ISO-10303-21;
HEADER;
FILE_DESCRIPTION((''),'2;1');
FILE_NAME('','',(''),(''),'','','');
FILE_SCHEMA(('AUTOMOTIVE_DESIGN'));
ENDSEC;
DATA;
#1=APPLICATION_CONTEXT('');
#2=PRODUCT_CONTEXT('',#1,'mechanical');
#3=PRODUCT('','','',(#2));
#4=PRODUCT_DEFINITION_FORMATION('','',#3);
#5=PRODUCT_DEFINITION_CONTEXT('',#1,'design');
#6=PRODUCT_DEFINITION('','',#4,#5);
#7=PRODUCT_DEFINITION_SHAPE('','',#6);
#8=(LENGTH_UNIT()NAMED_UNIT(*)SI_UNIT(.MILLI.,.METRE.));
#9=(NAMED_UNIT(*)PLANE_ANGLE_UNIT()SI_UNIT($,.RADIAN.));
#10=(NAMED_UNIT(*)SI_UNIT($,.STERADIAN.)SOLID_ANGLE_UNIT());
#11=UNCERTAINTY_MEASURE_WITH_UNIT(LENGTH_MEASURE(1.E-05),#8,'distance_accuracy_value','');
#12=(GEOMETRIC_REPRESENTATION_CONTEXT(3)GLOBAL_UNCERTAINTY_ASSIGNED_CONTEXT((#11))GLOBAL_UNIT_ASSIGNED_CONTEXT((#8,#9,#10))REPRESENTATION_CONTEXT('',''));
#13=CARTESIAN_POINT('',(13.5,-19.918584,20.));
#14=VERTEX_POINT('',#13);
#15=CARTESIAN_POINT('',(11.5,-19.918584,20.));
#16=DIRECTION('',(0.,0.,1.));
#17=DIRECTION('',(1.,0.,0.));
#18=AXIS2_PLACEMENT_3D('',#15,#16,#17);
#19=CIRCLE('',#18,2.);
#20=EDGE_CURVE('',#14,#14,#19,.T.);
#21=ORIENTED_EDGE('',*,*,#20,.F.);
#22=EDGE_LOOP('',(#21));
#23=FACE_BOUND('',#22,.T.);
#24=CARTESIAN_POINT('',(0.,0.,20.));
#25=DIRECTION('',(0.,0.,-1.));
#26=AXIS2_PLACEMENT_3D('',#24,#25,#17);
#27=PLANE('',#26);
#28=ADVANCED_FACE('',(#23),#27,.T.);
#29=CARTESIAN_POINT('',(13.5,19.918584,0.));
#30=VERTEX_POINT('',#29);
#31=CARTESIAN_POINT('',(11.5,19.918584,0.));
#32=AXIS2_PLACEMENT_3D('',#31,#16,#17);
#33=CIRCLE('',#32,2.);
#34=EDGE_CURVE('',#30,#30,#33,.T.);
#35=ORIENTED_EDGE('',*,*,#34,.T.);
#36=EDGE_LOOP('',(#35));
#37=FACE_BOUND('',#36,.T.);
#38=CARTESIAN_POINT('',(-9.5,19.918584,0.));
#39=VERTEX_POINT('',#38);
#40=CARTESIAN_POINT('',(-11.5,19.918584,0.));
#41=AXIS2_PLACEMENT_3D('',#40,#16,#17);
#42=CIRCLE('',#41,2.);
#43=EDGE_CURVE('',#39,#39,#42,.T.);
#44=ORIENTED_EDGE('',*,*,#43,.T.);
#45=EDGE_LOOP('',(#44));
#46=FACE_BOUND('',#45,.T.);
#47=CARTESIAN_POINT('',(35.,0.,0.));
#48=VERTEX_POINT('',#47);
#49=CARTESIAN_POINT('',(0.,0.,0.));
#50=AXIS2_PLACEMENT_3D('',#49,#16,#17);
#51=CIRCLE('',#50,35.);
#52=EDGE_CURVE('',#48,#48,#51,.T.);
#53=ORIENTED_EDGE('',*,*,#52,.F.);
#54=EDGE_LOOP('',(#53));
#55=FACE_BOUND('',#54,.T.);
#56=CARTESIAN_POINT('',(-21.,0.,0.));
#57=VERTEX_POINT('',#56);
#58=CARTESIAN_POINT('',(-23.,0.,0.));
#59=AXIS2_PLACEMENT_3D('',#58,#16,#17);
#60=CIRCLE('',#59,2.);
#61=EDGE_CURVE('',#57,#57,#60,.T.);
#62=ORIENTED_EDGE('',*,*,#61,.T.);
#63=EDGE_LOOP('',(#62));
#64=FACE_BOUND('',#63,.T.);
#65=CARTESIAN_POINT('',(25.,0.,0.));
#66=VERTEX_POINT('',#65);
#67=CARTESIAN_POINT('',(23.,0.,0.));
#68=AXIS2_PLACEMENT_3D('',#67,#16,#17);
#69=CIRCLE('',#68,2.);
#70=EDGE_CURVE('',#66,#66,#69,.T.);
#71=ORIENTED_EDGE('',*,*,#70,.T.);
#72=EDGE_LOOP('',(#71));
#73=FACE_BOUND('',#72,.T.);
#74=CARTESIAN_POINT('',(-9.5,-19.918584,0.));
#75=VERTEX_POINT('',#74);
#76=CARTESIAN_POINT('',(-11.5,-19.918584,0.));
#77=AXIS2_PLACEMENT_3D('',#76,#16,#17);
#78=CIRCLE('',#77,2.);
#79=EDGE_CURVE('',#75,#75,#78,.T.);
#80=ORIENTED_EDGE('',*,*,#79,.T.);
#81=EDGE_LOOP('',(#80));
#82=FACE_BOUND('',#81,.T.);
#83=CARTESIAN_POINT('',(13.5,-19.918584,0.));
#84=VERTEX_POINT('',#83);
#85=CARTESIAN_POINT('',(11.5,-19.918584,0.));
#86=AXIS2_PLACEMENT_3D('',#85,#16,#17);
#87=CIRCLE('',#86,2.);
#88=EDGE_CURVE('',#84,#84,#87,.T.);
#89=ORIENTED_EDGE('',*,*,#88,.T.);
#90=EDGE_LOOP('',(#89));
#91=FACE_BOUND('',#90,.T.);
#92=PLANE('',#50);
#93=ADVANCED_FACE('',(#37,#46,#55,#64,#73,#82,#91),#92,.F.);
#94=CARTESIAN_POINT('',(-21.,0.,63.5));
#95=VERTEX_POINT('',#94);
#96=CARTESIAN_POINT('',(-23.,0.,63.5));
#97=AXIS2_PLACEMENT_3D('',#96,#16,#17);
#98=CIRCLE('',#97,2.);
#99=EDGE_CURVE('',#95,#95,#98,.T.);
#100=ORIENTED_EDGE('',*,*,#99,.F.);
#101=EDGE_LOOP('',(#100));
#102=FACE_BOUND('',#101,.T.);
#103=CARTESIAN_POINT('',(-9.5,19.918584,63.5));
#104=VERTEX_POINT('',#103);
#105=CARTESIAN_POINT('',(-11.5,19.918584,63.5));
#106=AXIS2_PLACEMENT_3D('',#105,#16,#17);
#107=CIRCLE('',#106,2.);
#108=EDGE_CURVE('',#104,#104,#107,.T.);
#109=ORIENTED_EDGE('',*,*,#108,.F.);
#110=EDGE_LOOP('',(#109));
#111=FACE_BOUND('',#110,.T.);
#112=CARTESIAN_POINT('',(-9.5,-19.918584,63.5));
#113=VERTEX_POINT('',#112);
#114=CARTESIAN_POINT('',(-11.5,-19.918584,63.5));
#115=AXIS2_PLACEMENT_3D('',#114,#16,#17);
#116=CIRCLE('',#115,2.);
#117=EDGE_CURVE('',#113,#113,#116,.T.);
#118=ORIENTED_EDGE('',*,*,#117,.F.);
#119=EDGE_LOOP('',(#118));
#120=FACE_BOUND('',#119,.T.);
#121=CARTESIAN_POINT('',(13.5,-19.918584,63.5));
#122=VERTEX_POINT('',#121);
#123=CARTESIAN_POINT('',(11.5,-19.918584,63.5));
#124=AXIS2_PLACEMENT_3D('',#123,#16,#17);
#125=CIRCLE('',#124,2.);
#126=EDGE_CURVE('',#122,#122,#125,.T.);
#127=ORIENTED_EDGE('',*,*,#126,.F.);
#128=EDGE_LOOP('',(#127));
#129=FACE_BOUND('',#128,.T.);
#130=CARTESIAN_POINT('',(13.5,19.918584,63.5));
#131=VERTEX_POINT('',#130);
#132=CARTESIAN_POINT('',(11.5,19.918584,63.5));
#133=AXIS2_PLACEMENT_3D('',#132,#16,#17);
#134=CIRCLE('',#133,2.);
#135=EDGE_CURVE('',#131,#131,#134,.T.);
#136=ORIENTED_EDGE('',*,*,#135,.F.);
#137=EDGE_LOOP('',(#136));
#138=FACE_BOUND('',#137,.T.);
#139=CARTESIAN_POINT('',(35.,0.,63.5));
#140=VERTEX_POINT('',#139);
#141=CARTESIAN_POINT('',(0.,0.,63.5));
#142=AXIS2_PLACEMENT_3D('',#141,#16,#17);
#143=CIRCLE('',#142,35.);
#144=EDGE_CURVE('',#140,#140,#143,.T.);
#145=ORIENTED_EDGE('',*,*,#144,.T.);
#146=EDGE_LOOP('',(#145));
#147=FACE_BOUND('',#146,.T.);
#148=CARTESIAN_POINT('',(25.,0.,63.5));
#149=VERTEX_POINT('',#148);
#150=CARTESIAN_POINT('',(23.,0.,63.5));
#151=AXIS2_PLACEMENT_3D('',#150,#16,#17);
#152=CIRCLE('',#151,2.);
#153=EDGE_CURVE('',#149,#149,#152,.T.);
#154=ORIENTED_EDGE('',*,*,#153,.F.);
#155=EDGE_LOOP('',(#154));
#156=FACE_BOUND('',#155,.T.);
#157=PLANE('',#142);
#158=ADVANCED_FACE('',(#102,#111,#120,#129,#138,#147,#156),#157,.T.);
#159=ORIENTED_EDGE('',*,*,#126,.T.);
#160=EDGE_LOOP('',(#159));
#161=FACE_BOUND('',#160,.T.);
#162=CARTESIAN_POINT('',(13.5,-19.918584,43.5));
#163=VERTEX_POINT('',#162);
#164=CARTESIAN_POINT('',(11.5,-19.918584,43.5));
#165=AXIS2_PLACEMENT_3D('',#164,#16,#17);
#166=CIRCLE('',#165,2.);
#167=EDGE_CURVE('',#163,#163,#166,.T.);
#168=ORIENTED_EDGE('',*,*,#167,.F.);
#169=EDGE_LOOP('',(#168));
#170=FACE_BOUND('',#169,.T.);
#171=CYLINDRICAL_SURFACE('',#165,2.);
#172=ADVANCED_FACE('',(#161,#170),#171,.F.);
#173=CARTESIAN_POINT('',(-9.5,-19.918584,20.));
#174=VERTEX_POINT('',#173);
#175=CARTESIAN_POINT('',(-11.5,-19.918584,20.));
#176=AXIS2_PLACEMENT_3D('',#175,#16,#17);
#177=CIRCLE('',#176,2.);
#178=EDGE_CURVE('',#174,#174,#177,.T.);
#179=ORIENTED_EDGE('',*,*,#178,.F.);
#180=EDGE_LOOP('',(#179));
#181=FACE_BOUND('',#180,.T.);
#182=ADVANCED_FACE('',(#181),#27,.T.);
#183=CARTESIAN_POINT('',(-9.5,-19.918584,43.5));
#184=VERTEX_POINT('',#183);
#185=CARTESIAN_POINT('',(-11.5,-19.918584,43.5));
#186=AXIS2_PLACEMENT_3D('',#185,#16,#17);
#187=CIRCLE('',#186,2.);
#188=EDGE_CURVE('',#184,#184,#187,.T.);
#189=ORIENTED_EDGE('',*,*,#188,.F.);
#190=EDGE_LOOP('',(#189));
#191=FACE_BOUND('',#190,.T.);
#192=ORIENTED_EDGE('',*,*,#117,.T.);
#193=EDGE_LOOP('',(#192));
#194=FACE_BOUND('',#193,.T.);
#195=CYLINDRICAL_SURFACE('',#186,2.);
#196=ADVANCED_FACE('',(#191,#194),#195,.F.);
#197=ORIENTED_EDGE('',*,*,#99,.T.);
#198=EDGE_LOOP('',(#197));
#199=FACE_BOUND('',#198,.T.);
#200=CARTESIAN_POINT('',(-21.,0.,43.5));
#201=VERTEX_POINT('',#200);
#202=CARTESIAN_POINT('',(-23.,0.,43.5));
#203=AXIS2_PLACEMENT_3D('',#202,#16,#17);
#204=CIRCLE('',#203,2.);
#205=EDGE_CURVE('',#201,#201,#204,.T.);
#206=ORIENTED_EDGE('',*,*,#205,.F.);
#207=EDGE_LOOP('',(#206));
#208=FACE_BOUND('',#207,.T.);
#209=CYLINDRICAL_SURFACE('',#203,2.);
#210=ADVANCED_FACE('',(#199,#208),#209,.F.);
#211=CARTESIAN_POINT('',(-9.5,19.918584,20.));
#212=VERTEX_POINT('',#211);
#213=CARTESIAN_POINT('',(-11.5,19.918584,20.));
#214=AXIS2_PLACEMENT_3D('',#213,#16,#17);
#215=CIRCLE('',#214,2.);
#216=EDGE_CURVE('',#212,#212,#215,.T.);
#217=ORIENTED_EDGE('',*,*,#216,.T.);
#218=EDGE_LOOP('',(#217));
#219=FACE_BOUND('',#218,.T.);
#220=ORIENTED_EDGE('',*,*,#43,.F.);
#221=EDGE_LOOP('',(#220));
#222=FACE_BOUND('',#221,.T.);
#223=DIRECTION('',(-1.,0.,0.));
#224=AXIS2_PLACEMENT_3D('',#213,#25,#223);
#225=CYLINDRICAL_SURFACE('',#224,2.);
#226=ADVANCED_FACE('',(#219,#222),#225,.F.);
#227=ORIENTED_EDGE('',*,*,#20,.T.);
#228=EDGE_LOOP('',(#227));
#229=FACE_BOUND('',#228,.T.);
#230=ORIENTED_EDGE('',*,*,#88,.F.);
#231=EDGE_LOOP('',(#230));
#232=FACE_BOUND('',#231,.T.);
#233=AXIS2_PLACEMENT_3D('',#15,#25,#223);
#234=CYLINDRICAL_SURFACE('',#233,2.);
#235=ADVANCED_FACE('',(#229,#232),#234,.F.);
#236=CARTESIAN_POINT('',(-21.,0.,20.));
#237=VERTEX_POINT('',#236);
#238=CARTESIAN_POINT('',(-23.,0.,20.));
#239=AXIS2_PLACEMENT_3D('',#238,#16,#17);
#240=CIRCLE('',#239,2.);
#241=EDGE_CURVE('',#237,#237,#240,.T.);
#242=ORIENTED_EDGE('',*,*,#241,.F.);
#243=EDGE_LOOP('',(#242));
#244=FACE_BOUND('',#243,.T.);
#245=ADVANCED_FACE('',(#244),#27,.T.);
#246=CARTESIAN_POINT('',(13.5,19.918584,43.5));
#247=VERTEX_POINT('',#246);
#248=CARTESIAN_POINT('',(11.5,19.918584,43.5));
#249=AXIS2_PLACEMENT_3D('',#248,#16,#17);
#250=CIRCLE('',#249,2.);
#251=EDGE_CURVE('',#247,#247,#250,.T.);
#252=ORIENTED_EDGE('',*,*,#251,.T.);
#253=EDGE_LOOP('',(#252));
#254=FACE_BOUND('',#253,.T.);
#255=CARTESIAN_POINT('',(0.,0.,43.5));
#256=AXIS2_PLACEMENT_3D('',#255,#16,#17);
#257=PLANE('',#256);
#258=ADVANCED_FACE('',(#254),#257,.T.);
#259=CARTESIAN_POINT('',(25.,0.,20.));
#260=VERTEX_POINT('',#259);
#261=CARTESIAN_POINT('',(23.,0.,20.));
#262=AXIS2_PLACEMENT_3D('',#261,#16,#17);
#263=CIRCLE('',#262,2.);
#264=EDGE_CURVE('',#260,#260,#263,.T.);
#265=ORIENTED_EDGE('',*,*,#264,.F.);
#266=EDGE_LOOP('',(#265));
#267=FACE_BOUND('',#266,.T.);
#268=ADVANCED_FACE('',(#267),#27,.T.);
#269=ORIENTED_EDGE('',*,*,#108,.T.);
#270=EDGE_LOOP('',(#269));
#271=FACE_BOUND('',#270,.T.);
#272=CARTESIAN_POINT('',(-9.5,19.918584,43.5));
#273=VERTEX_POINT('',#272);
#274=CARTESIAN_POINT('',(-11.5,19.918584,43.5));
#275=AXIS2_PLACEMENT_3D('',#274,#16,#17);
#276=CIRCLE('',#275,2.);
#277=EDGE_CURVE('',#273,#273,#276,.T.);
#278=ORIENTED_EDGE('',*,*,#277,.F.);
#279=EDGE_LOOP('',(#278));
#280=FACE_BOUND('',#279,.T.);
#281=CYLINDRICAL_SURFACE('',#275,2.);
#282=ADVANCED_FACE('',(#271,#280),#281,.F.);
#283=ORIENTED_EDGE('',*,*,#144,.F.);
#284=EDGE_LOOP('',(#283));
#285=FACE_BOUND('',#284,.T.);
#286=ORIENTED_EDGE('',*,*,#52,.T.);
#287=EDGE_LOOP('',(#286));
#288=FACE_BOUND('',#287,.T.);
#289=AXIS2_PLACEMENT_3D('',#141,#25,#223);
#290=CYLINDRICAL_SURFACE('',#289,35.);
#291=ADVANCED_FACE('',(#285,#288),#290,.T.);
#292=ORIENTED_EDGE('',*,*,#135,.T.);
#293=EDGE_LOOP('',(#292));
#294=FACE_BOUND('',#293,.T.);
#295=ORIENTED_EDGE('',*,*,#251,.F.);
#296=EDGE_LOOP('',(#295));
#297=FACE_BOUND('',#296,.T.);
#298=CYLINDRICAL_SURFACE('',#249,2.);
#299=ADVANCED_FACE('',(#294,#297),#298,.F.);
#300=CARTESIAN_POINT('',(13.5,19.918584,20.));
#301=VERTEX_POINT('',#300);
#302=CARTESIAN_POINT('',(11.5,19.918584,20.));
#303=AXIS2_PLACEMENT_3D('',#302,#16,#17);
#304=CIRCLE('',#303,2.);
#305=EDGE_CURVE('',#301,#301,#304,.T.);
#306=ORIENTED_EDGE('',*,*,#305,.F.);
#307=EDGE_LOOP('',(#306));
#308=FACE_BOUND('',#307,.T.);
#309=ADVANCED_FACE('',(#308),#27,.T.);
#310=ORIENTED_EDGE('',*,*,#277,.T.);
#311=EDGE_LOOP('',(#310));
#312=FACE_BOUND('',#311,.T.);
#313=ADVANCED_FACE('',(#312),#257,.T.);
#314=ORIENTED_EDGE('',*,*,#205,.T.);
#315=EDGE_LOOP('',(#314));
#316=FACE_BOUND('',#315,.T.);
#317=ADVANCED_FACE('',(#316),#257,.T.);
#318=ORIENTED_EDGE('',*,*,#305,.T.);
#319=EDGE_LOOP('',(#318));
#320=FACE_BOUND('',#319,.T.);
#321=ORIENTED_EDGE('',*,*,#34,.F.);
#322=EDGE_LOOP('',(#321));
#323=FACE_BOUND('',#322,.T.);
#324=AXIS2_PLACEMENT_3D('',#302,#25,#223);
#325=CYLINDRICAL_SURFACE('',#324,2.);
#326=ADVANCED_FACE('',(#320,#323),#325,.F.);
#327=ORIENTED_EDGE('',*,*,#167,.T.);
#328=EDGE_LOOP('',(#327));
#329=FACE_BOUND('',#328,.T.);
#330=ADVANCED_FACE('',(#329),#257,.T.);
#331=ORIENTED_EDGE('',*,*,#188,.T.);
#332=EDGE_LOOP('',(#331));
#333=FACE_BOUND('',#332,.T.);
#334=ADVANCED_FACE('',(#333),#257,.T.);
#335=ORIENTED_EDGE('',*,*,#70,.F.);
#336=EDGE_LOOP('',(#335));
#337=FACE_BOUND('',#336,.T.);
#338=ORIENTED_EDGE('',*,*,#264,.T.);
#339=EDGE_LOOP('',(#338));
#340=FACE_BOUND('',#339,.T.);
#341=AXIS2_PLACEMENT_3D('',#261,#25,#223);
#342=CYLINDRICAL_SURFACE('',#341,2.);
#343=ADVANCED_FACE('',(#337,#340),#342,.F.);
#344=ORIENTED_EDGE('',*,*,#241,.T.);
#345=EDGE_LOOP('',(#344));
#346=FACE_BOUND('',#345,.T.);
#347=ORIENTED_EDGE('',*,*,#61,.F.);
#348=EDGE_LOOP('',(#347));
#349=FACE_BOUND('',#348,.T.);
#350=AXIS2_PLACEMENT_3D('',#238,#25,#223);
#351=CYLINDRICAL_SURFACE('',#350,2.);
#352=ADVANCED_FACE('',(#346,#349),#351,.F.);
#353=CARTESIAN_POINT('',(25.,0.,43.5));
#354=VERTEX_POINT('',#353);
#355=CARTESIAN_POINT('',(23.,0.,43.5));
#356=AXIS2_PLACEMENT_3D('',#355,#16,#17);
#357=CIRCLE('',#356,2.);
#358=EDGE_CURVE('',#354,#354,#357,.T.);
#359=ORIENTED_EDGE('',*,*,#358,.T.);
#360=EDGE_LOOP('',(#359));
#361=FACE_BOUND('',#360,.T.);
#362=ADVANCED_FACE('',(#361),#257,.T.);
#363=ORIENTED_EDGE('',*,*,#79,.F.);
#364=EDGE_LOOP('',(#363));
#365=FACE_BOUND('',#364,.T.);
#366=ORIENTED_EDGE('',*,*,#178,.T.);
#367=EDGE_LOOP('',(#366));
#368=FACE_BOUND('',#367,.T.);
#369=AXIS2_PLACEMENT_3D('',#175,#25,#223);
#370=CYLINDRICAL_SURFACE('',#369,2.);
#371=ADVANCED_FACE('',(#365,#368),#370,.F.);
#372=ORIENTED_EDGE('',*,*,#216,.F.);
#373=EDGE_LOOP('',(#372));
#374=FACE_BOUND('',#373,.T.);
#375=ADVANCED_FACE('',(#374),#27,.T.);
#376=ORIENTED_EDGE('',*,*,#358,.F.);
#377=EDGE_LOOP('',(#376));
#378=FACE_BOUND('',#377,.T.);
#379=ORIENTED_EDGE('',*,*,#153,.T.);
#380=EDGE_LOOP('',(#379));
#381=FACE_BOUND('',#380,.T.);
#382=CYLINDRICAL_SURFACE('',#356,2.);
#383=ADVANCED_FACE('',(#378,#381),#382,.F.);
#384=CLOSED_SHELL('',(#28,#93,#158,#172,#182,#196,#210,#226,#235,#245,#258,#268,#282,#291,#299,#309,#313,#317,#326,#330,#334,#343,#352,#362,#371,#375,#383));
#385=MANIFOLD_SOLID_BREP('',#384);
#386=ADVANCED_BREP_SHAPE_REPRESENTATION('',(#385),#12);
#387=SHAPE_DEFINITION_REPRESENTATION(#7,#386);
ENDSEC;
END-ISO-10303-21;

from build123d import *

# Parameters (mm, degrees)
SKETCH_1_R          = 35
EXTRUDE_2_DEPTH     = 63.5
SKETCH_3_R          = 2
CUT_EXTRUDE_1_DEPTH = 20


with BuildPart() as part:
    # 草图1 → 凸台-拉伸2 (new body)
    with BuildSketch(Plane.XY):
        Circle(SKETCH_1_R)
    extrude(amount=EXTRUDE_2_DEPTH)

    # 草图3 → 切除-拉伸1 (cut)
    with BuildSketch(Plane.XY.offset(63.5)):
        with Locations((-23, 0)):
            Circle(SKETCH_3_R)
        with Locations((-11.5, 19.918584287)):
            Circle(SKETCH_3_R)
        with Locations((11.5, 19.918584287)):
            Circle(SKETCH_3_R)
        with Locations((23, 0)):
            Circle(SKETCH_3_R)
        with Locations((11.5, -19.918584287)):
            Circle(SKETCH_3_R)
        with Locations((-11.5, -19.918584287)):
            Circle(SKETCH_3_R)
    cut_extrude_1 = extrude(amount=-CUT_EXTRUDE_1_DEPTH, mode=Mode.SUBTRACT)

    # 镜向1: 切除-拉伸1 across plane
    add(cut_extrude_1.mirror(Plane.XY.offset(31.75)), mode=Mode.SUBTRACT)


solid = part.part
